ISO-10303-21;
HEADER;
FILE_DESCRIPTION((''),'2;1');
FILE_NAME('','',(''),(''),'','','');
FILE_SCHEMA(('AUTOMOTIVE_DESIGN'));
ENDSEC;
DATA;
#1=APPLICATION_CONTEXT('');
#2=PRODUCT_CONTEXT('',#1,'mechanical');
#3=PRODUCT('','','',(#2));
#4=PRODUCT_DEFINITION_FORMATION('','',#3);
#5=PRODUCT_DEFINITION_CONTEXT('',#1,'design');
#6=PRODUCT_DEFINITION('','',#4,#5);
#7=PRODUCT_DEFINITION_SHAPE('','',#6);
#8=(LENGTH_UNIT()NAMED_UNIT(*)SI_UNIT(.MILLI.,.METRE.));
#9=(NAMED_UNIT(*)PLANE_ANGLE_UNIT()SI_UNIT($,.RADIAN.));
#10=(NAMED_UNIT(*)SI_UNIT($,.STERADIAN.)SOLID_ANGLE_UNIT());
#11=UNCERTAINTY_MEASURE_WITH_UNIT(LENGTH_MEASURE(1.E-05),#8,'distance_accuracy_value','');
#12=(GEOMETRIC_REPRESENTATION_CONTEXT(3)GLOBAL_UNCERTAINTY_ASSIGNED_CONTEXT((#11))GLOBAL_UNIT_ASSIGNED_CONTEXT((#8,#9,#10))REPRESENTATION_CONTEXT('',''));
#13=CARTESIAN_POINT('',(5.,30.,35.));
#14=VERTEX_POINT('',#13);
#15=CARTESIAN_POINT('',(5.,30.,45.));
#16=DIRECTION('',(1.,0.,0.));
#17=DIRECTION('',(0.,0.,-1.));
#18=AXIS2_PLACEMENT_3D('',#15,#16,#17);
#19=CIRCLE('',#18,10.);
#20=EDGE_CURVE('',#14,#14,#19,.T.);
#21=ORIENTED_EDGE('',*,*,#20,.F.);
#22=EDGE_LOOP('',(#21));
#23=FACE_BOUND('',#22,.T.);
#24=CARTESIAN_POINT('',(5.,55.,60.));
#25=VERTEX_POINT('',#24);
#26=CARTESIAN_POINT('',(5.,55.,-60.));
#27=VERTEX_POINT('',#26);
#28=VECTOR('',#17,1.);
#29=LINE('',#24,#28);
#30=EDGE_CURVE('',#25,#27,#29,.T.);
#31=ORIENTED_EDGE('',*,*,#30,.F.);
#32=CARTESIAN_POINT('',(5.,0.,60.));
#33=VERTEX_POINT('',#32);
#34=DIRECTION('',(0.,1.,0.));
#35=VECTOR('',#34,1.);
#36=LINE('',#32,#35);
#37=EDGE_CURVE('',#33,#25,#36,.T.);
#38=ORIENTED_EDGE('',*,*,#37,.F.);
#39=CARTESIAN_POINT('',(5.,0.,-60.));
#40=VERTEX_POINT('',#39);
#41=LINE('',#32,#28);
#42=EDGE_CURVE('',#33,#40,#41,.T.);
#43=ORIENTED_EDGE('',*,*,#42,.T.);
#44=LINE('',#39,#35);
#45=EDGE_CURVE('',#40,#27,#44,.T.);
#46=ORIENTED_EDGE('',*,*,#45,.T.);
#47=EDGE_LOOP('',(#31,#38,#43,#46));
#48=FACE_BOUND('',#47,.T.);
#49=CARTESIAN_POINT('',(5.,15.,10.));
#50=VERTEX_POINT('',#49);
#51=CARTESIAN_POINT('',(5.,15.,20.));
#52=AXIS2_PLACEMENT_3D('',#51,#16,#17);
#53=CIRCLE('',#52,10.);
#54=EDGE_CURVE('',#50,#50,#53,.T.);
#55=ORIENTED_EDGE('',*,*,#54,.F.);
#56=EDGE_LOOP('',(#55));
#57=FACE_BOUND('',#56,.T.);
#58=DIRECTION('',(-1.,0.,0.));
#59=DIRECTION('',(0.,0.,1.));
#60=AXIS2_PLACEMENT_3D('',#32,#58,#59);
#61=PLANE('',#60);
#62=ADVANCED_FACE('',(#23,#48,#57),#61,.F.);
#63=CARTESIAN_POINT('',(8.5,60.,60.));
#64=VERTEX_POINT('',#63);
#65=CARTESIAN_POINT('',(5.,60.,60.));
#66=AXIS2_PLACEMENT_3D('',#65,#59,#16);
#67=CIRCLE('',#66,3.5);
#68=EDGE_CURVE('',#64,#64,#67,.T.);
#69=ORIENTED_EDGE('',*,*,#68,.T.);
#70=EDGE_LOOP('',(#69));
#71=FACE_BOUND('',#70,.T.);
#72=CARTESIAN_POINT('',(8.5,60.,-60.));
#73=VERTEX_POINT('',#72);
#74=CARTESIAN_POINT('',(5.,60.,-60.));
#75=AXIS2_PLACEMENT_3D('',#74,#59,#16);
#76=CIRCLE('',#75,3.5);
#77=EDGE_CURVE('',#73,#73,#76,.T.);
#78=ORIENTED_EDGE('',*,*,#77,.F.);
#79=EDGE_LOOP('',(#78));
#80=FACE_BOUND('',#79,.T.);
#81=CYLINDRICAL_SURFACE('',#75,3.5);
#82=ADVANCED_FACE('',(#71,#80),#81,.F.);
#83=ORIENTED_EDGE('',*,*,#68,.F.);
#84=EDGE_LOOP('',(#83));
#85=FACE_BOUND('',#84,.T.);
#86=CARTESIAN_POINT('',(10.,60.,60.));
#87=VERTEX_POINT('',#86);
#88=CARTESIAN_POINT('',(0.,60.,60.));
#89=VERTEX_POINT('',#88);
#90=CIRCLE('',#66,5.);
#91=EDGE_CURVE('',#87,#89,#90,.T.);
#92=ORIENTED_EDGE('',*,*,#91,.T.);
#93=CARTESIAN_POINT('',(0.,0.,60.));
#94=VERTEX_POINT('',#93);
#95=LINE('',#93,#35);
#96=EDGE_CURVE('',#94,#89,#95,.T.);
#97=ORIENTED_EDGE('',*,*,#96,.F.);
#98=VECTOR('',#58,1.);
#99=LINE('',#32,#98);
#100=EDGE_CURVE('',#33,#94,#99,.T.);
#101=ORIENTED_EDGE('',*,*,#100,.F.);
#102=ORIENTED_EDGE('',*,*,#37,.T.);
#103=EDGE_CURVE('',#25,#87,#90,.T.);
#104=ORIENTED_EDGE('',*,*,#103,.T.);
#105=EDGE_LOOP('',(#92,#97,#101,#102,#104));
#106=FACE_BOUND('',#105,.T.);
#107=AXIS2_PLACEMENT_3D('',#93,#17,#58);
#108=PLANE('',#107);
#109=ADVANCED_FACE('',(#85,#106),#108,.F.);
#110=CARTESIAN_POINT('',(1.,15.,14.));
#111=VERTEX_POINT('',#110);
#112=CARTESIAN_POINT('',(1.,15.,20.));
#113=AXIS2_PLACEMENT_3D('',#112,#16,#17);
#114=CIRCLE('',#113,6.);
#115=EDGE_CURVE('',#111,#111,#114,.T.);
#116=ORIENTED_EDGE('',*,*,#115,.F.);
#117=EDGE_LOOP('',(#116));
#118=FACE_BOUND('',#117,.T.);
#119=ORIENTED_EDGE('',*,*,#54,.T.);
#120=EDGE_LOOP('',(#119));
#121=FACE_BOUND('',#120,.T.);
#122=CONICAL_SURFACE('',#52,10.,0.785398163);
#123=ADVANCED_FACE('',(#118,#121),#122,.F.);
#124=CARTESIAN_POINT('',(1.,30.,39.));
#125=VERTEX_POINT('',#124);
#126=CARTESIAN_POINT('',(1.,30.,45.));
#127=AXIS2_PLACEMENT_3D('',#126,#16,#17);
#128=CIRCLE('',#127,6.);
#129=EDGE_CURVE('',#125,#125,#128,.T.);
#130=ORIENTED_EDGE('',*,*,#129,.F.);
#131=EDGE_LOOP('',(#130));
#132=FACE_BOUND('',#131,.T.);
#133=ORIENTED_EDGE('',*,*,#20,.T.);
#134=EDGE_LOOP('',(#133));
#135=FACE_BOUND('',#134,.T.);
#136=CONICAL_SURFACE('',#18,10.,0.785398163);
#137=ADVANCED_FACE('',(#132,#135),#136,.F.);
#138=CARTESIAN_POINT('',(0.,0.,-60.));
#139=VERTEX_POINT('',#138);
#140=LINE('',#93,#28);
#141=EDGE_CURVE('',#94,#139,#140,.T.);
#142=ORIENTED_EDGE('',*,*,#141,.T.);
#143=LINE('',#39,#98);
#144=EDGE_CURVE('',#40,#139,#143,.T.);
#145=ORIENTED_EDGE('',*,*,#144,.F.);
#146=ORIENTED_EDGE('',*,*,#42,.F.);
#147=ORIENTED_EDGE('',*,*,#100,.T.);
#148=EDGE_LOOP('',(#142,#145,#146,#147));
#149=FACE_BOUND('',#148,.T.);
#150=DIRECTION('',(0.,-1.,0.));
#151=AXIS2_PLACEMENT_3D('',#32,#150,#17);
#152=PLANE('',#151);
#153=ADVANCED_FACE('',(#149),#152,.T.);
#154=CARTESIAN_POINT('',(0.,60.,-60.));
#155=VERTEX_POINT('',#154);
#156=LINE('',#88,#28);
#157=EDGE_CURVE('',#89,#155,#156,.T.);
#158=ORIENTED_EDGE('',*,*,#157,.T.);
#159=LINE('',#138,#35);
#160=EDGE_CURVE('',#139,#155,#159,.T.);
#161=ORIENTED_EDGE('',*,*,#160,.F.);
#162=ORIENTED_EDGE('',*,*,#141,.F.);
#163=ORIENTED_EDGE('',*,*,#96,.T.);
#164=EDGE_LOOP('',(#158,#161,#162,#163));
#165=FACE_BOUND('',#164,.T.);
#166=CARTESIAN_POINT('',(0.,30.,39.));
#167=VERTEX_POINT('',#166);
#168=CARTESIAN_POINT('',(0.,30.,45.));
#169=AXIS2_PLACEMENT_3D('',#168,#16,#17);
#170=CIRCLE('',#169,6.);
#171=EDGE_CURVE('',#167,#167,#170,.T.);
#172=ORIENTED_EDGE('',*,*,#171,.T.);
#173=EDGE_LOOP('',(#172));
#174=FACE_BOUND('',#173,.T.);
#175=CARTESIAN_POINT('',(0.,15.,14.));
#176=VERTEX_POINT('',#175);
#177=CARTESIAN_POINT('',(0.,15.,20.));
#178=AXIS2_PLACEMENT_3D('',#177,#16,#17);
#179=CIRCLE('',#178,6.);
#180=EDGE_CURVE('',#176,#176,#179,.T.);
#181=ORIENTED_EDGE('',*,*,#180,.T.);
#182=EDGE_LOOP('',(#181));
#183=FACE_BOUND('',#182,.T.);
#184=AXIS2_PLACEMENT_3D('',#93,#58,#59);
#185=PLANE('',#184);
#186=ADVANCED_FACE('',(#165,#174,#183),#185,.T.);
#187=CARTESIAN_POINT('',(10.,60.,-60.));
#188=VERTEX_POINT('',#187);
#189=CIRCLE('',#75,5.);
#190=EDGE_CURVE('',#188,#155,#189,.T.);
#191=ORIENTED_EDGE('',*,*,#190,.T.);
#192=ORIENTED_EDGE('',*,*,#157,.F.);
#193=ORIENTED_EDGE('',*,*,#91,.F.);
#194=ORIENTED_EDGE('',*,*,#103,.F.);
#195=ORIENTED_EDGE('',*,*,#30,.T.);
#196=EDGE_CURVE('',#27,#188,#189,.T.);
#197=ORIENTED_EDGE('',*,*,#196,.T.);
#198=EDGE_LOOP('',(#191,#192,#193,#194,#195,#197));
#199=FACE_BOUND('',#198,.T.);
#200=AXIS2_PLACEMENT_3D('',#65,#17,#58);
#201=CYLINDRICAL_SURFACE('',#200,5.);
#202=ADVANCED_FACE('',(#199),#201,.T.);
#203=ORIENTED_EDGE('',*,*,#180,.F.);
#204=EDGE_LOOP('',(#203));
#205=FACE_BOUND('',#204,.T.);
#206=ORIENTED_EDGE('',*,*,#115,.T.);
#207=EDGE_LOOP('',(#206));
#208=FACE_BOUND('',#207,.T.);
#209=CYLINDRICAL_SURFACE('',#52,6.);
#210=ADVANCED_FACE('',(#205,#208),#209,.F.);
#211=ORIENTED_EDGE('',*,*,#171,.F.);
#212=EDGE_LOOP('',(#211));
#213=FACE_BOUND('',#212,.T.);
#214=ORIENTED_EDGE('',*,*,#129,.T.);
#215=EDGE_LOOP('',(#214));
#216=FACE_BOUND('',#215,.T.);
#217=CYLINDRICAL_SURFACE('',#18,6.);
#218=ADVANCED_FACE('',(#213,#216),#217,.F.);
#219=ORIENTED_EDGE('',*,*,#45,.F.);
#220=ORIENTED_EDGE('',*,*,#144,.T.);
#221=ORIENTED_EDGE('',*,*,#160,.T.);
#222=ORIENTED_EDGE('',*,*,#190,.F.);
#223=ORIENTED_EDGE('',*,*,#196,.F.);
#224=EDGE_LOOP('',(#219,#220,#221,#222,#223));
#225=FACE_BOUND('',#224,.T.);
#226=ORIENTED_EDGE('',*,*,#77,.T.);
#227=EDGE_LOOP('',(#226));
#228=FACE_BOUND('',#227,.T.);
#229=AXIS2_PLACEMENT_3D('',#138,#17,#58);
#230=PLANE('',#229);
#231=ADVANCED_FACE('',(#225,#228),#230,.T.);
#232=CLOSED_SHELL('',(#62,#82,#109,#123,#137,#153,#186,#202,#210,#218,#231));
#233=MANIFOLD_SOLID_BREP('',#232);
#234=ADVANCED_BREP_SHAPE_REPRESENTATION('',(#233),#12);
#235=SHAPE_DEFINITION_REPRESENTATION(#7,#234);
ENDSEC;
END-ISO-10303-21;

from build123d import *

# Parameters (mm, degrees)
SKETCH_1_W                  = 5
SKETCH_1_H                  = 60
EXTRUDE_2_DEPTH             = 60
SKETCH_2_R                  = 5
SKETCH_3_R                  = 3.5
CUT_EXTRUDE_1_DEPTH         = 137.839321834
HOLE_WIZARD_M101_AT_2_COUNT = 2
HOLE_WIZARD_M101_AT_2_PITCH = 29.154759474


with BuildPart() as part:
    # Эскиз1 → Вытянуть-Тонкостенный2 (new, symmetric)
    with BuildSketch(Plane.XY):
        with Locations((2.5, 30)):
            Rectangle(SKETCH_1_W, SKETCH_1_H)
    extrude(amount=EXTRUDE_2_DEPTH, both=True)

    # По траектории1: sweep along a curve in space
    with BuildLine() as sweep_1_path:
        Line((0, 60, 60), (0, 60, -60))
    # Эскиз2 → По траектории1 (sweep)
    with BuildSketch(Plane.XY.offset(60)):
        with Locations((5, 60)):
            Circle(SKETCH_2_R)
    sweep(path=sweep_1_path.line)

    # Эскиз3 → Вырез-Вытянуть1 (cut, through all)
    with BuildSketch(Plane.XY.offset(60)):
        with Locations((5, 60)):
            Circle(SKETCH_3_R)
    extrude(amount=-CUT_EXTRUDE_1_DEPTH, mode=Mode.SUBTRACT)

    # Эскиз8 → Зенковка для  винта с плоской головкой M101 (revolve, cut)
    with BuildSketch(Plane(origin=(5, 30, 45), x_dir=(0, 0, -1), z_dir=(0, 1, 0))):
        Polygon((0, 0), (0, 5), (6, 5), (6, 4), (10, 0), align=None)
    hole_wizard_m101 = revolve(axis=Axis((11.35, 30, 45), (-1, 0, 0)), mode=Mode.SUBTRACT)

    # Зенковка для  винта с плоской головкой M101 at 2: Зенковка для  винта с плоской головкой M101 ×2
    with Locations(*[Vector(0, -0.5144957554275265, -0.8574929257125442) * (i * HOLE_WIZARD_M101_AT_2_PITCH) for i in range(1, HOLE_WIZARD_M101_AT_2_COUNT)]):
        add(hole_wizard_m101, mode=Mode.SUBTRACT)


solid = part.part
